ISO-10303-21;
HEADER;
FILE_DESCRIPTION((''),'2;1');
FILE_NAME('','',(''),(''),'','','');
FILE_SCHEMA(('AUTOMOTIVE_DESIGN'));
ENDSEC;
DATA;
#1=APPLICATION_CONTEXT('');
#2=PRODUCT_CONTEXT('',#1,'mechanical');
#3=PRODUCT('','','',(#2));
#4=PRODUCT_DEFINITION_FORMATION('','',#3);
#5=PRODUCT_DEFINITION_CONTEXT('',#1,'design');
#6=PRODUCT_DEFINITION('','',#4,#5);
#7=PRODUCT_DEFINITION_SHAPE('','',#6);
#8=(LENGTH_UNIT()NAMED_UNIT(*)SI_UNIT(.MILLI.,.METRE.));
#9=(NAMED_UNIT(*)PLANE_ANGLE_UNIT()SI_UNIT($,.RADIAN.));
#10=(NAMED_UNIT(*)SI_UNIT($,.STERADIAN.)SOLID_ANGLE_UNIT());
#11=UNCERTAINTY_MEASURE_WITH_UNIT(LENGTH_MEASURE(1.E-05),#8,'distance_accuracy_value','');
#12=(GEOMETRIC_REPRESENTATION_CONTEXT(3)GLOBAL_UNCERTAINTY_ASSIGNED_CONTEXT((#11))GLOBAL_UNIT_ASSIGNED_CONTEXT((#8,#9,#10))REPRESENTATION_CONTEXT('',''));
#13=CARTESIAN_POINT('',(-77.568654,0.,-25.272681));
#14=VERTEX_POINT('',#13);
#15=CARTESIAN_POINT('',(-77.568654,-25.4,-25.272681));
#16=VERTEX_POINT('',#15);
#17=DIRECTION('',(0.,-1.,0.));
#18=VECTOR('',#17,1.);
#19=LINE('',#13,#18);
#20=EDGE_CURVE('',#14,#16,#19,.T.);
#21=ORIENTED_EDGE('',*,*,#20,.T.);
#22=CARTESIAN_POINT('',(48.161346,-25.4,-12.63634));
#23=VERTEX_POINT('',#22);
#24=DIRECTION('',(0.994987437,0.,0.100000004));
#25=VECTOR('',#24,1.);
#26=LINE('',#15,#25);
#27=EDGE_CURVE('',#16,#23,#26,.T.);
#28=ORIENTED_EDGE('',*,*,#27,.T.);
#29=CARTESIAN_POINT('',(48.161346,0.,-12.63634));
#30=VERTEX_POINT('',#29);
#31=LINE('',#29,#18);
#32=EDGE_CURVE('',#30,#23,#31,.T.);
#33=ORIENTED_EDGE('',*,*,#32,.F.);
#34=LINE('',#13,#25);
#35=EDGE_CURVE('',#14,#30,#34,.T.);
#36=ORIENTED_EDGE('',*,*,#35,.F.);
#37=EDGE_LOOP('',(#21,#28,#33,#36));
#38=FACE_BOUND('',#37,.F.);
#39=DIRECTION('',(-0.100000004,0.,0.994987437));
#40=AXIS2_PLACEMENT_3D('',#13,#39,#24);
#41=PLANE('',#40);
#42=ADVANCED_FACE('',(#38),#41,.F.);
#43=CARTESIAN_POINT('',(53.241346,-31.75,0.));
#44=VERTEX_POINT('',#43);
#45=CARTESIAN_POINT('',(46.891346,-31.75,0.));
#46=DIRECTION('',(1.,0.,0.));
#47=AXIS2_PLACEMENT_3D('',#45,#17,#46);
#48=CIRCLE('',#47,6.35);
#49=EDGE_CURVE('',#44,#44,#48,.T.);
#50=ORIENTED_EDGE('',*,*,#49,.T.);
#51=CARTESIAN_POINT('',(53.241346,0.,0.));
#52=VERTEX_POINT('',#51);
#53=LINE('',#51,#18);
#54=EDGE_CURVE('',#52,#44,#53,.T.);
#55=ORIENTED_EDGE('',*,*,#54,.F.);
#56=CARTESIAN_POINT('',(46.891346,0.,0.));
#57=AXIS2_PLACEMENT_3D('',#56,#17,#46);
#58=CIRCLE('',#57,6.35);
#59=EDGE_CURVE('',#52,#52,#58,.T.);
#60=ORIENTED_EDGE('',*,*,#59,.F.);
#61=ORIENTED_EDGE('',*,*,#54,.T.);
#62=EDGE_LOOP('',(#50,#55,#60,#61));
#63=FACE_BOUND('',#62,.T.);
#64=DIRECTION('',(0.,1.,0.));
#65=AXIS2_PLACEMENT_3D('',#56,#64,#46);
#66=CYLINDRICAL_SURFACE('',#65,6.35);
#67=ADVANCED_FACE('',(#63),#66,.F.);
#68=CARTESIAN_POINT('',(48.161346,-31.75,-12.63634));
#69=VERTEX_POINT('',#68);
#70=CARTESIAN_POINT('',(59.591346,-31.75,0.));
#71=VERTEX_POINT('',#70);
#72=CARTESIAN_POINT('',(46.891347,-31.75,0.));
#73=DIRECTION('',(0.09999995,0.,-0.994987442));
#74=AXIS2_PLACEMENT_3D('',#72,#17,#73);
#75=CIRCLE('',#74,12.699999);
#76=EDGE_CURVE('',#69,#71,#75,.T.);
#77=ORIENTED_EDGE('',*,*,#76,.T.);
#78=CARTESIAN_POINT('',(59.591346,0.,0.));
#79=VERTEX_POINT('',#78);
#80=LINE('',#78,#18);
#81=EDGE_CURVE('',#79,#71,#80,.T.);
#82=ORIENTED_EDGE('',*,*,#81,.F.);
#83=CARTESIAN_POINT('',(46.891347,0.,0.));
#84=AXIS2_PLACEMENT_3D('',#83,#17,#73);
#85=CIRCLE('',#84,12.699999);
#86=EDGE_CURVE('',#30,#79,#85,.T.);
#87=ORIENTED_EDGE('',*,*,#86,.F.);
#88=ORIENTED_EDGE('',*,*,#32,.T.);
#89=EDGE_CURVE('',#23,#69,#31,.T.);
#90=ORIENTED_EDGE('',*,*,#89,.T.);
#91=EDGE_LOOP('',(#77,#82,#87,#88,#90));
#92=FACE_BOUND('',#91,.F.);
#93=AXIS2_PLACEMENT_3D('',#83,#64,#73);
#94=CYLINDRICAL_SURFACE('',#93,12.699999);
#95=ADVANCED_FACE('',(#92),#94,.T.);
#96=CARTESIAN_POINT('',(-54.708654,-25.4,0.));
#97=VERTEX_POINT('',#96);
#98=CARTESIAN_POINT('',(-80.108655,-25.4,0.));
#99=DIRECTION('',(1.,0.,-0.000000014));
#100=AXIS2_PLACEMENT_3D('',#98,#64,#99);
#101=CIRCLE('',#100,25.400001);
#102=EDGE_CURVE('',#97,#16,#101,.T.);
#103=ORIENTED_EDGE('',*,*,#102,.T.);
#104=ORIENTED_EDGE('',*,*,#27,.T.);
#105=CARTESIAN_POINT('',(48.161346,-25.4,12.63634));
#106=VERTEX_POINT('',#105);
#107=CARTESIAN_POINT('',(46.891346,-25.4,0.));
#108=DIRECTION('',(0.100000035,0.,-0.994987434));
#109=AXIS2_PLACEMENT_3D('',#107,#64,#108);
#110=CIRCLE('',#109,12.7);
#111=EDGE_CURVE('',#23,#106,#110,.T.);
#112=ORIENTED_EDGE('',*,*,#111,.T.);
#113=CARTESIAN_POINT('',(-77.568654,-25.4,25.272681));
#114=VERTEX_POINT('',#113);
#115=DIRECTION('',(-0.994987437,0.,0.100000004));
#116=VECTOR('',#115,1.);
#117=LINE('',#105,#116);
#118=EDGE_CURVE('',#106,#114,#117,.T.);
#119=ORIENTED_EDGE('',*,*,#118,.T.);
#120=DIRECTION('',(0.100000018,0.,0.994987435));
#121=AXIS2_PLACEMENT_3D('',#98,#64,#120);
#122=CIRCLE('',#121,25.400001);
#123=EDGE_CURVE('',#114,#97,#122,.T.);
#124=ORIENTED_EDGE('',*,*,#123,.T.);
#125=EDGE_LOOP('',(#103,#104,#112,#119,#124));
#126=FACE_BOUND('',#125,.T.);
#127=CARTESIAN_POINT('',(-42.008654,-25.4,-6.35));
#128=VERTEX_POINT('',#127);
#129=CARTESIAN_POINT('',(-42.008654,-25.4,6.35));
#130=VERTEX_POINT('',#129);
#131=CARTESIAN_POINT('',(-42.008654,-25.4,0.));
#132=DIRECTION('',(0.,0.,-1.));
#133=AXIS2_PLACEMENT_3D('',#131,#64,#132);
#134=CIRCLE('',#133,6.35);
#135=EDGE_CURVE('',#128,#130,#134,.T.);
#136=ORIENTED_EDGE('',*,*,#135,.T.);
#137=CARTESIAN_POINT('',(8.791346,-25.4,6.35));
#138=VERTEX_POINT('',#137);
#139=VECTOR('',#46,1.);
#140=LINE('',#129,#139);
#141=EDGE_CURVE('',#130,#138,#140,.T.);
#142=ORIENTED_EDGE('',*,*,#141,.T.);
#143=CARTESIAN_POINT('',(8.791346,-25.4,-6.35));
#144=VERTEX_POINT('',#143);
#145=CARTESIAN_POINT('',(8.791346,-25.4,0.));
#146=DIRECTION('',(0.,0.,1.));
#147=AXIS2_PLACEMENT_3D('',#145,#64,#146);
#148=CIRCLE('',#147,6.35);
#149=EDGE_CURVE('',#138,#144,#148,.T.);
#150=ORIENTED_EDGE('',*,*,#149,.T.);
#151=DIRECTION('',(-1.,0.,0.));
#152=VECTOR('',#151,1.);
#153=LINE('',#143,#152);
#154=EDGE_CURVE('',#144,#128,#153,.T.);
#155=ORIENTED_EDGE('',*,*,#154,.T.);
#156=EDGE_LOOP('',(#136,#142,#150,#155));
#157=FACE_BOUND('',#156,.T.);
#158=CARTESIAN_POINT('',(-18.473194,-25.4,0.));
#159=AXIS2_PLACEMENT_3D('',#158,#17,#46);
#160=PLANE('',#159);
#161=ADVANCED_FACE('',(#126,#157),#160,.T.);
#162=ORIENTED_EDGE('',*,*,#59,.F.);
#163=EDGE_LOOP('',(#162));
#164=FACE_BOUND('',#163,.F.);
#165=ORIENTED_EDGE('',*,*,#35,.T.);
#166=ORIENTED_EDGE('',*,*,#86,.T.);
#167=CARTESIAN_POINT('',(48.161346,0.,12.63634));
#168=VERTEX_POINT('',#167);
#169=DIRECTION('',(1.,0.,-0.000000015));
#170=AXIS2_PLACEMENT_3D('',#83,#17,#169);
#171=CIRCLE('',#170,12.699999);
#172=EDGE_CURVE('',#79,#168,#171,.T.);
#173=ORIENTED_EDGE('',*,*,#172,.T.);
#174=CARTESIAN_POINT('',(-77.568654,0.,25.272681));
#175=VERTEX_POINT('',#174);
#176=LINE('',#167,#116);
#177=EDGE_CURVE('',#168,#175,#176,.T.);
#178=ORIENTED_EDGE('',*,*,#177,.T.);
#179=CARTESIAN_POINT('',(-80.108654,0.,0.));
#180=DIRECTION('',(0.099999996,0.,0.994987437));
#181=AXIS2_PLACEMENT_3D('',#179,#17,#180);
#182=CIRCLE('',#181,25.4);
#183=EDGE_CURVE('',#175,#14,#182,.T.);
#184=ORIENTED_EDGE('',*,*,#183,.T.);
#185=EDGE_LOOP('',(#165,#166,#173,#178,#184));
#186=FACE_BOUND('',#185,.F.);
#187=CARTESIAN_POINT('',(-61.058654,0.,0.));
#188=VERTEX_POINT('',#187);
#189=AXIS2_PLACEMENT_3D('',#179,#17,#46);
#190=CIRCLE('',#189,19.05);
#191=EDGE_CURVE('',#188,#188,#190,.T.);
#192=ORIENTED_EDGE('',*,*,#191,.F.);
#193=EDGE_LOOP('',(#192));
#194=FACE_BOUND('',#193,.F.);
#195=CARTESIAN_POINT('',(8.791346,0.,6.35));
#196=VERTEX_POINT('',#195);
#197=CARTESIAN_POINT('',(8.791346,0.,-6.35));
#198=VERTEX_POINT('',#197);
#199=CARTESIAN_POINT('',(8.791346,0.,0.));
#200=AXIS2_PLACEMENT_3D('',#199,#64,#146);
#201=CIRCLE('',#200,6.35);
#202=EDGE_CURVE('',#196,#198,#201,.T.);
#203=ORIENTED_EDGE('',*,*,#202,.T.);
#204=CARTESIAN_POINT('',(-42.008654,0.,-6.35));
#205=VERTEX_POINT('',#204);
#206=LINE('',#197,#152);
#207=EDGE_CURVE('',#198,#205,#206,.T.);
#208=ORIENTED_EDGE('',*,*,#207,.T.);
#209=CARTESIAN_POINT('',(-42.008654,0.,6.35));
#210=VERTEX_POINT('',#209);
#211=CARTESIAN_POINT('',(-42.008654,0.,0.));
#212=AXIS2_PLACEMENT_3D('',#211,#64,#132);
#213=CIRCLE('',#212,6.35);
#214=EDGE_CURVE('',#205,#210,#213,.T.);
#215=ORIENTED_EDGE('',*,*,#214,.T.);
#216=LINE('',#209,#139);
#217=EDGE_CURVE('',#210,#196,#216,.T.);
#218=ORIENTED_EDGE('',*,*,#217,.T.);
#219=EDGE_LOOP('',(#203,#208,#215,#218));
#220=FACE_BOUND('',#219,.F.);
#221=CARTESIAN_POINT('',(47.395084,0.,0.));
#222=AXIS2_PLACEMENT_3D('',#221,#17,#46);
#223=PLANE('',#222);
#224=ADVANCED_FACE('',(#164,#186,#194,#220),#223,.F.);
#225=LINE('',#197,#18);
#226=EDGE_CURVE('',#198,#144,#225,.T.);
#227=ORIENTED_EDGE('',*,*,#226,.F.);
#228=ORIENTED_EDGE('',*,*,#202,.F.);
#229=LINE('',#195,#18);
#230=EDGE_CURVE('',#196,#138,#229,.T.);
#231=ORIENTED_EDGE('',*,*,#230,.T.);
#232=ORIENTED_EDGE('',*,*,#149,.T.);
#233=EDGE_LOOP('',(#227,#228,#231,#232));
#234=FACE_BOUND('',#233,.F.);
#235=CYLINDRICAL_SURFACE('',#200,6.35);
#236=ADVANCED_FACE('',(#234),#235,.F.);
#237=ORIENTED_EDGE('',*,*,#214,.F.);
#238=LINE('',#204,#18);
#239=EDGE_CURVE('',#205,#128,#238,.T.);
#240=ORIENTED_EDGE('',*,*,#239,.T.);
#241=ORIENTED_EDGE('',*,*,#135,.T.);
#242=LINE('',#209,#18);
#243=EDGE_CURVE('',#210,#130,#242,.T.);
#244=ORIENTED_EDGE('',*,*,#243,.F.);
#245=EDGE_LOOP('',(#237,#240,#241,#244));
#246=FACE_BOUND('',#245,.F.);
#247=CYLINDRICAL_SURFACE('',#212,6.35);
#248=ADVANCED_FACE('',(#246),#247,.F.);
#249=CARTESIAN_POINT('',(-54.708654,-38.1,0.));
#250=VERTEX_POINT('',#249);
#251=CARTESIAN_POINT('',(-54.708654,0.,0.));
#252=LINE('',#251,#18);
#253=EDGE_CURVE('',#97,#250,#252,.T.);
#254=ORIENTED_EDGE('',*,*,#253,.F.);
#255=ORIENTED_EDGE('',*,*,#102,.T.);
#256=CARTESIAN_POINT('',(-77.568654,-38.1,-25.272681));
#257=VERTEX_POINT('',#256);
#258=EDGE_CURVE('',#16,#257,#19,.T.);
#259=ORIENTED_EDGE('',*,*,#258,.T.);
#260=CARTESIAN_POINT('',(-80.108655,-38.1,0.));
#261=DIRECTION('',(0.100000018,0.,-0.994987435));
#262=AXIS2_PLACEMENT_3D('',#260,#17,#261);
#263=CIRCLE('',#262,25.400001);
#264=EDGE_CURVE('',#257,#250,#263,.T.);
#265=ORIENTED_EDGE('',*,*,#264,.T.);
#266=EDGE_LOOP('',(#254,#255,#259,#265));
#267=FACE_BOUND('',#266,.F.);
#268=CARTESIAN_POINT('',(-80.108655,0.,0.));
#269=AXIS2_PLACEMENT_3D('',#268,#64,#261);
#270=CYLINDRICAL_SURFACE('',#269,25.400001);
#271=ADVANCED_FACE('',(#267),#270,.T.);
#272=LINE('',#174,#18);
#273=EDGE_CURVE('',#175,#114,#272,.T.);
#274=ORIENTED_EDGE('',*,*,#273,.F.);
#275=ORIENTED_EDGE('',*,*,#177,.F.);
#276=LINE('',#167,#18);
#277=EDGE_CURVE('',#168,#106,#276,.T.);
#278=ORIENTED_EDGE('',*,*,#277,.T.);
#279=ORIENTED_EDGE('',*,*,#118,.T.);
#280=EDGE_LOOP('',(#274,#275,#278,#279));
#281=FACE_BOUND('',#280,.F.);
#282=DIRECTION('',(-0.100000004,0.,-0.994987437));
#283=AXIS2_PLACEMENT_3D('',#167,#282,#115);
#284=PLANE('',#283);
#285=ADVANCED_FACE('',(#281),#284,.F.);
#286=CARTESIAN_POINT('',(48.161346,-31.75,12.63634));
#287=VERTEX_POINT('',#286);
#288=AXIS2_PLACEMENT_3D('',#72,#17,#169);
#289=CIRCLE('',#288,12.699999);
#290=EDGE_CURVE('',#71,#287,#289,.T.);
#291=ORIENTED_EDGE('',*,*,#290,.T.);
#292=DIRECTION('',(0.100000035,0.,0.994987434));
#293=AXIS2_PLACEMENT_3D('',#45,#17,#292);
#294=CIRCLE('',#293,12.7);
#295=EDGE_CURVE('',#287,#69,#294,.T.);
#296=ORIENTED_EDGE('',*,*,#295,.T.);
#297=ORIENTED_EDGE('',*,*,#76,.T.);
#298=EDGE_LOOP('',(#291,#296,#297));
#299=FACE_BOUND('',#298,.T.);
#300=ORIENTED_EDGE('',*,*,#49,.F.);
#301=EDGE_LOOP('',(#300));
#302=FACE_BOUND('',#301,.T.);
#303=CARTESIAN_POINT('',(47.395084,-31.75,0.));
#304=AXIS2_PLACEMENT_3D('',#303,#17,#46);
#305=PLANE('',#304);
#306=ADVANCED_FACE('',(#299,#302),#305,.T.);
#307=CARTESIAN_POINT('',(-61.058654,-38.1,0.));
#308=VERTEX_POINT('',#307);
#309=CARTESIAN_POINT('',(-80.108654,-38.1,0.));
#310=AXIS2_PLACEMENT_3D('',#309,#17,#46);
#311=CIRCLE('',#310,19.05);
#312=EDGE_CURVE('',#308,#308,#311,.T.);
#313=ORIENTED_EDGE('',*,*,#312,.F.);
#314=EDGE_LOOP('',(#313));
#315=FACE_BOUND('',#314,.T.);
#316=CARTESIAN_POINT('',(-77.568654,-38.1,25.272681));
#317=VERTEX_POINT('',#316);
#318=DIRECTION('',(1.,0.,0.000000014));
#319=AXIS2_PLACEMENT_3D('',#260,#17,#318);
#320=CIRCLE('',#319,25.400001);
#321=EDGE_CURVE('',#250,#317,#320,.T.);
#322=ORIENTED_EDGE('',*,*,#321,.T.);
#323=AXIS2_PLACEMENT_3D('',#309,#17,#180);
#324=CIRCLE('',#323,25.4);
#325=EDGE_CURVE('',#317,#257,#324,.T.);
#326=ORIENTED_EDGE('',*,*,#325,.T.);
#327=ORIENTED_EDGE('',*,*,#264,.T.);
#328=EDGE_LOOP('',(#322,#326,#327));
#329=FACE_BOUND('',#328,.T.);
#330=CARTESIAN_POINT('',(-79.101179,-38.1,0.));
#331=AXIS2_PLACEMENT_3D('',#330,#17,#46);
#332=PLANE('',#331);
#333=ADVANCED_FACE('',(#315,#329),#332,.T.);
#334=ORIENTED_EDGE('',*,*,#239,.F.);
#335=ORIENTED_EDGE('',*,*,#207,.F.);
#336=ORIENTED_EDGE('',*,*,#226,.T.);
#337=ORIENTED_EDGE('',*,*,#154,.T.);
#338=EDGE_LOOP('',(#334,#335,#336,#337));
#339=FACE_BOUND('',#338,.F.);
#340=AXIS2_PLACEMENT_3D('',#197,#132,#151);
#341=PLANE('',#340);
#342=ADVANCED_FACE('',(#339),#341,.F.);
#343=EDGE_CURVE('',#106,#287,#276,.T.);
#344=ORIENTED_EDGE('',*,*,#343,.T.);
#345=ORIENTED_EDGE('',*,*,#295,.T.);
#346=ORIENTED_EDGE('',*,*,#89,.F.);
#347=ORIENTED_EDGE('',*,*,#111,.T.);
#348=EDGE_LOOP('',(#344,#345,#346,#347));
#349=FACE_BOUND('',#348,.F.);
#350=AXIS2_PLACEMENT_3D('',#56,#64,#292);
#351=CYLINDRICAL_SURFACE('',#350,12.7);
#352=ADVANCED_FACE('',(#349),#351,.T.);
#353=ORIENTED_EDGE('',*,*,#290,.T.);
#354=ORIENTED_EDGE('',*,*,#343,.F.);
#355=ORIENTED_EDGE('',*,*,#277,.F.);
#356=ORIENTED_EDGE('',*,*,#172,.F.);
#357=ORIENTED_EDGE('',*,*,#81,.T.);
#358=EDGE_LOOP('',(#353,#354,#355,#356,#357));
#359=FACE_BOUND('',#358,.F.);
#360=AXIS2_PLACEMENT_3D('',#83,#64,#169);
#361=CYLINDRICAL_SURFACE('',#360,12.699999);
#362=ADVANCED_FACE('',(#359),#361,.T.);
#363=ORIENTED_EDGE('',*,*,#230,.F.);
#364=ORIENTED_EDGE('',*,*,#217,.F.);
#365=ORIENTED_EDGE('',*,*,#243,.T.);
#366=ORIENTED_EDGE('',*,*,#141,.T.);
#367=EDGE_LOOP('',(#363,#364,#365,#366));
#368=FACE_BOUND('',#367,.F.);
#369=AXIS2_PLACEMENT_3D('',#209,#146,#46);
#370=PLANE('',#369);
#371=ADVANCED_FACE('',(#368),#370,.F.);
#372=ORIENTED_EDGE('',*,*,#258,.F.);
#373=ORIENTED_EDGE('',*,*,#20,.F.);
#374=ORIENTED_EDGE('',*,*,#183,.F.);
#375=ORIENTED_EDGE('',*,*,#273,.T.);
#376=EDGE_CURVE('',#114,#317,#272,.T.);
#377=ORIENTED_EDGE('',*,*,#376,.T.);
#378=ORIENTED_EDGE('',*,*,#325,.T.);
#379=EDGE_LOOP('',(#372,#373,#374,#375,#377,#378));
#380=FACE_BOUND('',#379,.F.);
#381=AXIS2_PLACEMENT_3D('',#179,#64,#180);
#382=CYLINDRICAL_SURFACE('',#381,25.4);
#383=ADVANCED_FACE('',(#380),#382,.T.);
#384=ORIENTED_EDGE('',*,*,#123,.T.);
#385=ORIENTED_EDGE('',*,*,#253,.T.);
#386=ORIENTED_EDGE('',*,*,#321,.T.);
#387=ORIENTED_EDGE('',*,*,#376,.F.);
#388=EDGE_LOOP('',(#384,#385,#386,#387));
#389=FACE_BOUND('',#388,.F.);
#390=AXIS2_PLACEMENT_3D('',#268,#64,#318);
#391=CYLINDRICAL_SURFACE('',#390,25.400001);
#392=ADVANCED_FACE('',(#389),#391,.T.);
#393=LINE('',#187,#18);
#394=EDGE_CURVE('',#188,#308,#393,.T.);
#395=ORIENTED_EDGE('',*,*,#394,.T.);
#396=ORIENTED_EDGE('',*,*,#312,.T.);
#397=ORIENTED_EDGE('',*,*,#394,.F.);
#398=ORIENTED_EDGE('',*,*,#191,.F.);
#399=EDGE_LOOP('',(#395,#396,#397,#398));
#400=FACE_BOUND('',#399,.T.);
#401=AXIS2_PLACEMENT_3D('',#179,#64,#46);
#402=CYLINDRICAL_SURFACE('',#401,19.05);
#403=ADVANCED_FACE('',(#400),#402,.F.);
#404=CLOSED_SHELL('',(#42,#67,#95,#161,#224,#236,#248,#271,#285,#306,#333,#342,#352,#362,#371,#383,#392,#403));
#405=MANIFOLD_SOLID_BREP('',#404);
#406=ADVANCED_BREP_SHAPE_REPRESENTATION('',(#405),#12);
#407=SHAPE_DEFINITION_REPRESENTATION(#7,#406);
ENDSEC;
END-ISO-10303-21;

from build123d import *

# Parameters (mm, degrees)
F0_R     = 19.05
F1_DEPTH = 38.1
F2_DEPTH = 25.4
F0_R_2   = 6.35
F3_DEPTH = 31.75


with BuildPart() as f1:
    # F0 (on Front) → F1 (new body)
    with BuildSketch(Plane.XZ):
        with BuildLine():
            ThreePointArc((-77.568654, -25.272681), (-61.27151, -17.038838), (-54.708654, 0))
            ThreePointArc((-54.708654, 0), (-61.27151, 17.038838), (-77.568654, 25.272681))
            ThreePointArc((-77.568654, 25.272681), (-105.508654, 0), (-77.568654, -25.272681))
        make_face()
        with Locations((-80.108654, 0)):
            Circle(F0_R, mode=Mode.SUBTRACT)
    extrude(amount=F1_DEPTH)

    # F0 (on Front) → F2 (join)
    with BuildSketch(Plane.XZ):
        with BuildLine():
            ThreePointArc((-77.568654, 25.272681), (-61.27151, 17.038838), (-54.708654, 0))
            ThreePointArc((-54.708654, 0), (-61.27151, -17.038838), (-77.568654, -25.272681))
            Line((-77.568654, -25.272681), (48.161346, -12.63634))
            ThreePointArc((48.161346, -12.63634), (34.191346, 0), (48.161346, 12.63634))
            Line((48.161346, 12.63634), (-77.568654, 25.272681))
        make_face()
        with BuildLine():
            ThreePointArc((-42.008654, -6.35), (-48.358654, 0), (-42.008654, 6.35))
            Line((-42.008654, 6.35), (8.791346, 6.35))
            ThreePointArc((8.791346, 6.35), (15.141346, 0), (8.791346, -6.35))
            Line((8.791346, -6.35), (-42.008654, -6.35))
        make_face(mode=Mode.SUBTRACT)
    extrude(amount=F2_DEPTH)

    # F0 (on Front) → F3 (join)
    with BuildSketch(Plane.XZ):
        with BuildLine():
            ThreePointArc((59.591346, 0), (56.309918, 8.519419), (48.161346, 12.63634))
            ThreePointArc((48.161346, 12.63634), (34.191346, 0), (48.161346, -12.63634))
            ThreePointArc((48.161346, -12.63634), (56.309918, -8.519419), (59.591346, 0))
        make_face()
        with Locations((46.891346, 0)):
            Circle(F0_R_2, mode=Mode.SUBTRACT)
    extrude(amount=F3_DEPTH)


solid = f1.part
